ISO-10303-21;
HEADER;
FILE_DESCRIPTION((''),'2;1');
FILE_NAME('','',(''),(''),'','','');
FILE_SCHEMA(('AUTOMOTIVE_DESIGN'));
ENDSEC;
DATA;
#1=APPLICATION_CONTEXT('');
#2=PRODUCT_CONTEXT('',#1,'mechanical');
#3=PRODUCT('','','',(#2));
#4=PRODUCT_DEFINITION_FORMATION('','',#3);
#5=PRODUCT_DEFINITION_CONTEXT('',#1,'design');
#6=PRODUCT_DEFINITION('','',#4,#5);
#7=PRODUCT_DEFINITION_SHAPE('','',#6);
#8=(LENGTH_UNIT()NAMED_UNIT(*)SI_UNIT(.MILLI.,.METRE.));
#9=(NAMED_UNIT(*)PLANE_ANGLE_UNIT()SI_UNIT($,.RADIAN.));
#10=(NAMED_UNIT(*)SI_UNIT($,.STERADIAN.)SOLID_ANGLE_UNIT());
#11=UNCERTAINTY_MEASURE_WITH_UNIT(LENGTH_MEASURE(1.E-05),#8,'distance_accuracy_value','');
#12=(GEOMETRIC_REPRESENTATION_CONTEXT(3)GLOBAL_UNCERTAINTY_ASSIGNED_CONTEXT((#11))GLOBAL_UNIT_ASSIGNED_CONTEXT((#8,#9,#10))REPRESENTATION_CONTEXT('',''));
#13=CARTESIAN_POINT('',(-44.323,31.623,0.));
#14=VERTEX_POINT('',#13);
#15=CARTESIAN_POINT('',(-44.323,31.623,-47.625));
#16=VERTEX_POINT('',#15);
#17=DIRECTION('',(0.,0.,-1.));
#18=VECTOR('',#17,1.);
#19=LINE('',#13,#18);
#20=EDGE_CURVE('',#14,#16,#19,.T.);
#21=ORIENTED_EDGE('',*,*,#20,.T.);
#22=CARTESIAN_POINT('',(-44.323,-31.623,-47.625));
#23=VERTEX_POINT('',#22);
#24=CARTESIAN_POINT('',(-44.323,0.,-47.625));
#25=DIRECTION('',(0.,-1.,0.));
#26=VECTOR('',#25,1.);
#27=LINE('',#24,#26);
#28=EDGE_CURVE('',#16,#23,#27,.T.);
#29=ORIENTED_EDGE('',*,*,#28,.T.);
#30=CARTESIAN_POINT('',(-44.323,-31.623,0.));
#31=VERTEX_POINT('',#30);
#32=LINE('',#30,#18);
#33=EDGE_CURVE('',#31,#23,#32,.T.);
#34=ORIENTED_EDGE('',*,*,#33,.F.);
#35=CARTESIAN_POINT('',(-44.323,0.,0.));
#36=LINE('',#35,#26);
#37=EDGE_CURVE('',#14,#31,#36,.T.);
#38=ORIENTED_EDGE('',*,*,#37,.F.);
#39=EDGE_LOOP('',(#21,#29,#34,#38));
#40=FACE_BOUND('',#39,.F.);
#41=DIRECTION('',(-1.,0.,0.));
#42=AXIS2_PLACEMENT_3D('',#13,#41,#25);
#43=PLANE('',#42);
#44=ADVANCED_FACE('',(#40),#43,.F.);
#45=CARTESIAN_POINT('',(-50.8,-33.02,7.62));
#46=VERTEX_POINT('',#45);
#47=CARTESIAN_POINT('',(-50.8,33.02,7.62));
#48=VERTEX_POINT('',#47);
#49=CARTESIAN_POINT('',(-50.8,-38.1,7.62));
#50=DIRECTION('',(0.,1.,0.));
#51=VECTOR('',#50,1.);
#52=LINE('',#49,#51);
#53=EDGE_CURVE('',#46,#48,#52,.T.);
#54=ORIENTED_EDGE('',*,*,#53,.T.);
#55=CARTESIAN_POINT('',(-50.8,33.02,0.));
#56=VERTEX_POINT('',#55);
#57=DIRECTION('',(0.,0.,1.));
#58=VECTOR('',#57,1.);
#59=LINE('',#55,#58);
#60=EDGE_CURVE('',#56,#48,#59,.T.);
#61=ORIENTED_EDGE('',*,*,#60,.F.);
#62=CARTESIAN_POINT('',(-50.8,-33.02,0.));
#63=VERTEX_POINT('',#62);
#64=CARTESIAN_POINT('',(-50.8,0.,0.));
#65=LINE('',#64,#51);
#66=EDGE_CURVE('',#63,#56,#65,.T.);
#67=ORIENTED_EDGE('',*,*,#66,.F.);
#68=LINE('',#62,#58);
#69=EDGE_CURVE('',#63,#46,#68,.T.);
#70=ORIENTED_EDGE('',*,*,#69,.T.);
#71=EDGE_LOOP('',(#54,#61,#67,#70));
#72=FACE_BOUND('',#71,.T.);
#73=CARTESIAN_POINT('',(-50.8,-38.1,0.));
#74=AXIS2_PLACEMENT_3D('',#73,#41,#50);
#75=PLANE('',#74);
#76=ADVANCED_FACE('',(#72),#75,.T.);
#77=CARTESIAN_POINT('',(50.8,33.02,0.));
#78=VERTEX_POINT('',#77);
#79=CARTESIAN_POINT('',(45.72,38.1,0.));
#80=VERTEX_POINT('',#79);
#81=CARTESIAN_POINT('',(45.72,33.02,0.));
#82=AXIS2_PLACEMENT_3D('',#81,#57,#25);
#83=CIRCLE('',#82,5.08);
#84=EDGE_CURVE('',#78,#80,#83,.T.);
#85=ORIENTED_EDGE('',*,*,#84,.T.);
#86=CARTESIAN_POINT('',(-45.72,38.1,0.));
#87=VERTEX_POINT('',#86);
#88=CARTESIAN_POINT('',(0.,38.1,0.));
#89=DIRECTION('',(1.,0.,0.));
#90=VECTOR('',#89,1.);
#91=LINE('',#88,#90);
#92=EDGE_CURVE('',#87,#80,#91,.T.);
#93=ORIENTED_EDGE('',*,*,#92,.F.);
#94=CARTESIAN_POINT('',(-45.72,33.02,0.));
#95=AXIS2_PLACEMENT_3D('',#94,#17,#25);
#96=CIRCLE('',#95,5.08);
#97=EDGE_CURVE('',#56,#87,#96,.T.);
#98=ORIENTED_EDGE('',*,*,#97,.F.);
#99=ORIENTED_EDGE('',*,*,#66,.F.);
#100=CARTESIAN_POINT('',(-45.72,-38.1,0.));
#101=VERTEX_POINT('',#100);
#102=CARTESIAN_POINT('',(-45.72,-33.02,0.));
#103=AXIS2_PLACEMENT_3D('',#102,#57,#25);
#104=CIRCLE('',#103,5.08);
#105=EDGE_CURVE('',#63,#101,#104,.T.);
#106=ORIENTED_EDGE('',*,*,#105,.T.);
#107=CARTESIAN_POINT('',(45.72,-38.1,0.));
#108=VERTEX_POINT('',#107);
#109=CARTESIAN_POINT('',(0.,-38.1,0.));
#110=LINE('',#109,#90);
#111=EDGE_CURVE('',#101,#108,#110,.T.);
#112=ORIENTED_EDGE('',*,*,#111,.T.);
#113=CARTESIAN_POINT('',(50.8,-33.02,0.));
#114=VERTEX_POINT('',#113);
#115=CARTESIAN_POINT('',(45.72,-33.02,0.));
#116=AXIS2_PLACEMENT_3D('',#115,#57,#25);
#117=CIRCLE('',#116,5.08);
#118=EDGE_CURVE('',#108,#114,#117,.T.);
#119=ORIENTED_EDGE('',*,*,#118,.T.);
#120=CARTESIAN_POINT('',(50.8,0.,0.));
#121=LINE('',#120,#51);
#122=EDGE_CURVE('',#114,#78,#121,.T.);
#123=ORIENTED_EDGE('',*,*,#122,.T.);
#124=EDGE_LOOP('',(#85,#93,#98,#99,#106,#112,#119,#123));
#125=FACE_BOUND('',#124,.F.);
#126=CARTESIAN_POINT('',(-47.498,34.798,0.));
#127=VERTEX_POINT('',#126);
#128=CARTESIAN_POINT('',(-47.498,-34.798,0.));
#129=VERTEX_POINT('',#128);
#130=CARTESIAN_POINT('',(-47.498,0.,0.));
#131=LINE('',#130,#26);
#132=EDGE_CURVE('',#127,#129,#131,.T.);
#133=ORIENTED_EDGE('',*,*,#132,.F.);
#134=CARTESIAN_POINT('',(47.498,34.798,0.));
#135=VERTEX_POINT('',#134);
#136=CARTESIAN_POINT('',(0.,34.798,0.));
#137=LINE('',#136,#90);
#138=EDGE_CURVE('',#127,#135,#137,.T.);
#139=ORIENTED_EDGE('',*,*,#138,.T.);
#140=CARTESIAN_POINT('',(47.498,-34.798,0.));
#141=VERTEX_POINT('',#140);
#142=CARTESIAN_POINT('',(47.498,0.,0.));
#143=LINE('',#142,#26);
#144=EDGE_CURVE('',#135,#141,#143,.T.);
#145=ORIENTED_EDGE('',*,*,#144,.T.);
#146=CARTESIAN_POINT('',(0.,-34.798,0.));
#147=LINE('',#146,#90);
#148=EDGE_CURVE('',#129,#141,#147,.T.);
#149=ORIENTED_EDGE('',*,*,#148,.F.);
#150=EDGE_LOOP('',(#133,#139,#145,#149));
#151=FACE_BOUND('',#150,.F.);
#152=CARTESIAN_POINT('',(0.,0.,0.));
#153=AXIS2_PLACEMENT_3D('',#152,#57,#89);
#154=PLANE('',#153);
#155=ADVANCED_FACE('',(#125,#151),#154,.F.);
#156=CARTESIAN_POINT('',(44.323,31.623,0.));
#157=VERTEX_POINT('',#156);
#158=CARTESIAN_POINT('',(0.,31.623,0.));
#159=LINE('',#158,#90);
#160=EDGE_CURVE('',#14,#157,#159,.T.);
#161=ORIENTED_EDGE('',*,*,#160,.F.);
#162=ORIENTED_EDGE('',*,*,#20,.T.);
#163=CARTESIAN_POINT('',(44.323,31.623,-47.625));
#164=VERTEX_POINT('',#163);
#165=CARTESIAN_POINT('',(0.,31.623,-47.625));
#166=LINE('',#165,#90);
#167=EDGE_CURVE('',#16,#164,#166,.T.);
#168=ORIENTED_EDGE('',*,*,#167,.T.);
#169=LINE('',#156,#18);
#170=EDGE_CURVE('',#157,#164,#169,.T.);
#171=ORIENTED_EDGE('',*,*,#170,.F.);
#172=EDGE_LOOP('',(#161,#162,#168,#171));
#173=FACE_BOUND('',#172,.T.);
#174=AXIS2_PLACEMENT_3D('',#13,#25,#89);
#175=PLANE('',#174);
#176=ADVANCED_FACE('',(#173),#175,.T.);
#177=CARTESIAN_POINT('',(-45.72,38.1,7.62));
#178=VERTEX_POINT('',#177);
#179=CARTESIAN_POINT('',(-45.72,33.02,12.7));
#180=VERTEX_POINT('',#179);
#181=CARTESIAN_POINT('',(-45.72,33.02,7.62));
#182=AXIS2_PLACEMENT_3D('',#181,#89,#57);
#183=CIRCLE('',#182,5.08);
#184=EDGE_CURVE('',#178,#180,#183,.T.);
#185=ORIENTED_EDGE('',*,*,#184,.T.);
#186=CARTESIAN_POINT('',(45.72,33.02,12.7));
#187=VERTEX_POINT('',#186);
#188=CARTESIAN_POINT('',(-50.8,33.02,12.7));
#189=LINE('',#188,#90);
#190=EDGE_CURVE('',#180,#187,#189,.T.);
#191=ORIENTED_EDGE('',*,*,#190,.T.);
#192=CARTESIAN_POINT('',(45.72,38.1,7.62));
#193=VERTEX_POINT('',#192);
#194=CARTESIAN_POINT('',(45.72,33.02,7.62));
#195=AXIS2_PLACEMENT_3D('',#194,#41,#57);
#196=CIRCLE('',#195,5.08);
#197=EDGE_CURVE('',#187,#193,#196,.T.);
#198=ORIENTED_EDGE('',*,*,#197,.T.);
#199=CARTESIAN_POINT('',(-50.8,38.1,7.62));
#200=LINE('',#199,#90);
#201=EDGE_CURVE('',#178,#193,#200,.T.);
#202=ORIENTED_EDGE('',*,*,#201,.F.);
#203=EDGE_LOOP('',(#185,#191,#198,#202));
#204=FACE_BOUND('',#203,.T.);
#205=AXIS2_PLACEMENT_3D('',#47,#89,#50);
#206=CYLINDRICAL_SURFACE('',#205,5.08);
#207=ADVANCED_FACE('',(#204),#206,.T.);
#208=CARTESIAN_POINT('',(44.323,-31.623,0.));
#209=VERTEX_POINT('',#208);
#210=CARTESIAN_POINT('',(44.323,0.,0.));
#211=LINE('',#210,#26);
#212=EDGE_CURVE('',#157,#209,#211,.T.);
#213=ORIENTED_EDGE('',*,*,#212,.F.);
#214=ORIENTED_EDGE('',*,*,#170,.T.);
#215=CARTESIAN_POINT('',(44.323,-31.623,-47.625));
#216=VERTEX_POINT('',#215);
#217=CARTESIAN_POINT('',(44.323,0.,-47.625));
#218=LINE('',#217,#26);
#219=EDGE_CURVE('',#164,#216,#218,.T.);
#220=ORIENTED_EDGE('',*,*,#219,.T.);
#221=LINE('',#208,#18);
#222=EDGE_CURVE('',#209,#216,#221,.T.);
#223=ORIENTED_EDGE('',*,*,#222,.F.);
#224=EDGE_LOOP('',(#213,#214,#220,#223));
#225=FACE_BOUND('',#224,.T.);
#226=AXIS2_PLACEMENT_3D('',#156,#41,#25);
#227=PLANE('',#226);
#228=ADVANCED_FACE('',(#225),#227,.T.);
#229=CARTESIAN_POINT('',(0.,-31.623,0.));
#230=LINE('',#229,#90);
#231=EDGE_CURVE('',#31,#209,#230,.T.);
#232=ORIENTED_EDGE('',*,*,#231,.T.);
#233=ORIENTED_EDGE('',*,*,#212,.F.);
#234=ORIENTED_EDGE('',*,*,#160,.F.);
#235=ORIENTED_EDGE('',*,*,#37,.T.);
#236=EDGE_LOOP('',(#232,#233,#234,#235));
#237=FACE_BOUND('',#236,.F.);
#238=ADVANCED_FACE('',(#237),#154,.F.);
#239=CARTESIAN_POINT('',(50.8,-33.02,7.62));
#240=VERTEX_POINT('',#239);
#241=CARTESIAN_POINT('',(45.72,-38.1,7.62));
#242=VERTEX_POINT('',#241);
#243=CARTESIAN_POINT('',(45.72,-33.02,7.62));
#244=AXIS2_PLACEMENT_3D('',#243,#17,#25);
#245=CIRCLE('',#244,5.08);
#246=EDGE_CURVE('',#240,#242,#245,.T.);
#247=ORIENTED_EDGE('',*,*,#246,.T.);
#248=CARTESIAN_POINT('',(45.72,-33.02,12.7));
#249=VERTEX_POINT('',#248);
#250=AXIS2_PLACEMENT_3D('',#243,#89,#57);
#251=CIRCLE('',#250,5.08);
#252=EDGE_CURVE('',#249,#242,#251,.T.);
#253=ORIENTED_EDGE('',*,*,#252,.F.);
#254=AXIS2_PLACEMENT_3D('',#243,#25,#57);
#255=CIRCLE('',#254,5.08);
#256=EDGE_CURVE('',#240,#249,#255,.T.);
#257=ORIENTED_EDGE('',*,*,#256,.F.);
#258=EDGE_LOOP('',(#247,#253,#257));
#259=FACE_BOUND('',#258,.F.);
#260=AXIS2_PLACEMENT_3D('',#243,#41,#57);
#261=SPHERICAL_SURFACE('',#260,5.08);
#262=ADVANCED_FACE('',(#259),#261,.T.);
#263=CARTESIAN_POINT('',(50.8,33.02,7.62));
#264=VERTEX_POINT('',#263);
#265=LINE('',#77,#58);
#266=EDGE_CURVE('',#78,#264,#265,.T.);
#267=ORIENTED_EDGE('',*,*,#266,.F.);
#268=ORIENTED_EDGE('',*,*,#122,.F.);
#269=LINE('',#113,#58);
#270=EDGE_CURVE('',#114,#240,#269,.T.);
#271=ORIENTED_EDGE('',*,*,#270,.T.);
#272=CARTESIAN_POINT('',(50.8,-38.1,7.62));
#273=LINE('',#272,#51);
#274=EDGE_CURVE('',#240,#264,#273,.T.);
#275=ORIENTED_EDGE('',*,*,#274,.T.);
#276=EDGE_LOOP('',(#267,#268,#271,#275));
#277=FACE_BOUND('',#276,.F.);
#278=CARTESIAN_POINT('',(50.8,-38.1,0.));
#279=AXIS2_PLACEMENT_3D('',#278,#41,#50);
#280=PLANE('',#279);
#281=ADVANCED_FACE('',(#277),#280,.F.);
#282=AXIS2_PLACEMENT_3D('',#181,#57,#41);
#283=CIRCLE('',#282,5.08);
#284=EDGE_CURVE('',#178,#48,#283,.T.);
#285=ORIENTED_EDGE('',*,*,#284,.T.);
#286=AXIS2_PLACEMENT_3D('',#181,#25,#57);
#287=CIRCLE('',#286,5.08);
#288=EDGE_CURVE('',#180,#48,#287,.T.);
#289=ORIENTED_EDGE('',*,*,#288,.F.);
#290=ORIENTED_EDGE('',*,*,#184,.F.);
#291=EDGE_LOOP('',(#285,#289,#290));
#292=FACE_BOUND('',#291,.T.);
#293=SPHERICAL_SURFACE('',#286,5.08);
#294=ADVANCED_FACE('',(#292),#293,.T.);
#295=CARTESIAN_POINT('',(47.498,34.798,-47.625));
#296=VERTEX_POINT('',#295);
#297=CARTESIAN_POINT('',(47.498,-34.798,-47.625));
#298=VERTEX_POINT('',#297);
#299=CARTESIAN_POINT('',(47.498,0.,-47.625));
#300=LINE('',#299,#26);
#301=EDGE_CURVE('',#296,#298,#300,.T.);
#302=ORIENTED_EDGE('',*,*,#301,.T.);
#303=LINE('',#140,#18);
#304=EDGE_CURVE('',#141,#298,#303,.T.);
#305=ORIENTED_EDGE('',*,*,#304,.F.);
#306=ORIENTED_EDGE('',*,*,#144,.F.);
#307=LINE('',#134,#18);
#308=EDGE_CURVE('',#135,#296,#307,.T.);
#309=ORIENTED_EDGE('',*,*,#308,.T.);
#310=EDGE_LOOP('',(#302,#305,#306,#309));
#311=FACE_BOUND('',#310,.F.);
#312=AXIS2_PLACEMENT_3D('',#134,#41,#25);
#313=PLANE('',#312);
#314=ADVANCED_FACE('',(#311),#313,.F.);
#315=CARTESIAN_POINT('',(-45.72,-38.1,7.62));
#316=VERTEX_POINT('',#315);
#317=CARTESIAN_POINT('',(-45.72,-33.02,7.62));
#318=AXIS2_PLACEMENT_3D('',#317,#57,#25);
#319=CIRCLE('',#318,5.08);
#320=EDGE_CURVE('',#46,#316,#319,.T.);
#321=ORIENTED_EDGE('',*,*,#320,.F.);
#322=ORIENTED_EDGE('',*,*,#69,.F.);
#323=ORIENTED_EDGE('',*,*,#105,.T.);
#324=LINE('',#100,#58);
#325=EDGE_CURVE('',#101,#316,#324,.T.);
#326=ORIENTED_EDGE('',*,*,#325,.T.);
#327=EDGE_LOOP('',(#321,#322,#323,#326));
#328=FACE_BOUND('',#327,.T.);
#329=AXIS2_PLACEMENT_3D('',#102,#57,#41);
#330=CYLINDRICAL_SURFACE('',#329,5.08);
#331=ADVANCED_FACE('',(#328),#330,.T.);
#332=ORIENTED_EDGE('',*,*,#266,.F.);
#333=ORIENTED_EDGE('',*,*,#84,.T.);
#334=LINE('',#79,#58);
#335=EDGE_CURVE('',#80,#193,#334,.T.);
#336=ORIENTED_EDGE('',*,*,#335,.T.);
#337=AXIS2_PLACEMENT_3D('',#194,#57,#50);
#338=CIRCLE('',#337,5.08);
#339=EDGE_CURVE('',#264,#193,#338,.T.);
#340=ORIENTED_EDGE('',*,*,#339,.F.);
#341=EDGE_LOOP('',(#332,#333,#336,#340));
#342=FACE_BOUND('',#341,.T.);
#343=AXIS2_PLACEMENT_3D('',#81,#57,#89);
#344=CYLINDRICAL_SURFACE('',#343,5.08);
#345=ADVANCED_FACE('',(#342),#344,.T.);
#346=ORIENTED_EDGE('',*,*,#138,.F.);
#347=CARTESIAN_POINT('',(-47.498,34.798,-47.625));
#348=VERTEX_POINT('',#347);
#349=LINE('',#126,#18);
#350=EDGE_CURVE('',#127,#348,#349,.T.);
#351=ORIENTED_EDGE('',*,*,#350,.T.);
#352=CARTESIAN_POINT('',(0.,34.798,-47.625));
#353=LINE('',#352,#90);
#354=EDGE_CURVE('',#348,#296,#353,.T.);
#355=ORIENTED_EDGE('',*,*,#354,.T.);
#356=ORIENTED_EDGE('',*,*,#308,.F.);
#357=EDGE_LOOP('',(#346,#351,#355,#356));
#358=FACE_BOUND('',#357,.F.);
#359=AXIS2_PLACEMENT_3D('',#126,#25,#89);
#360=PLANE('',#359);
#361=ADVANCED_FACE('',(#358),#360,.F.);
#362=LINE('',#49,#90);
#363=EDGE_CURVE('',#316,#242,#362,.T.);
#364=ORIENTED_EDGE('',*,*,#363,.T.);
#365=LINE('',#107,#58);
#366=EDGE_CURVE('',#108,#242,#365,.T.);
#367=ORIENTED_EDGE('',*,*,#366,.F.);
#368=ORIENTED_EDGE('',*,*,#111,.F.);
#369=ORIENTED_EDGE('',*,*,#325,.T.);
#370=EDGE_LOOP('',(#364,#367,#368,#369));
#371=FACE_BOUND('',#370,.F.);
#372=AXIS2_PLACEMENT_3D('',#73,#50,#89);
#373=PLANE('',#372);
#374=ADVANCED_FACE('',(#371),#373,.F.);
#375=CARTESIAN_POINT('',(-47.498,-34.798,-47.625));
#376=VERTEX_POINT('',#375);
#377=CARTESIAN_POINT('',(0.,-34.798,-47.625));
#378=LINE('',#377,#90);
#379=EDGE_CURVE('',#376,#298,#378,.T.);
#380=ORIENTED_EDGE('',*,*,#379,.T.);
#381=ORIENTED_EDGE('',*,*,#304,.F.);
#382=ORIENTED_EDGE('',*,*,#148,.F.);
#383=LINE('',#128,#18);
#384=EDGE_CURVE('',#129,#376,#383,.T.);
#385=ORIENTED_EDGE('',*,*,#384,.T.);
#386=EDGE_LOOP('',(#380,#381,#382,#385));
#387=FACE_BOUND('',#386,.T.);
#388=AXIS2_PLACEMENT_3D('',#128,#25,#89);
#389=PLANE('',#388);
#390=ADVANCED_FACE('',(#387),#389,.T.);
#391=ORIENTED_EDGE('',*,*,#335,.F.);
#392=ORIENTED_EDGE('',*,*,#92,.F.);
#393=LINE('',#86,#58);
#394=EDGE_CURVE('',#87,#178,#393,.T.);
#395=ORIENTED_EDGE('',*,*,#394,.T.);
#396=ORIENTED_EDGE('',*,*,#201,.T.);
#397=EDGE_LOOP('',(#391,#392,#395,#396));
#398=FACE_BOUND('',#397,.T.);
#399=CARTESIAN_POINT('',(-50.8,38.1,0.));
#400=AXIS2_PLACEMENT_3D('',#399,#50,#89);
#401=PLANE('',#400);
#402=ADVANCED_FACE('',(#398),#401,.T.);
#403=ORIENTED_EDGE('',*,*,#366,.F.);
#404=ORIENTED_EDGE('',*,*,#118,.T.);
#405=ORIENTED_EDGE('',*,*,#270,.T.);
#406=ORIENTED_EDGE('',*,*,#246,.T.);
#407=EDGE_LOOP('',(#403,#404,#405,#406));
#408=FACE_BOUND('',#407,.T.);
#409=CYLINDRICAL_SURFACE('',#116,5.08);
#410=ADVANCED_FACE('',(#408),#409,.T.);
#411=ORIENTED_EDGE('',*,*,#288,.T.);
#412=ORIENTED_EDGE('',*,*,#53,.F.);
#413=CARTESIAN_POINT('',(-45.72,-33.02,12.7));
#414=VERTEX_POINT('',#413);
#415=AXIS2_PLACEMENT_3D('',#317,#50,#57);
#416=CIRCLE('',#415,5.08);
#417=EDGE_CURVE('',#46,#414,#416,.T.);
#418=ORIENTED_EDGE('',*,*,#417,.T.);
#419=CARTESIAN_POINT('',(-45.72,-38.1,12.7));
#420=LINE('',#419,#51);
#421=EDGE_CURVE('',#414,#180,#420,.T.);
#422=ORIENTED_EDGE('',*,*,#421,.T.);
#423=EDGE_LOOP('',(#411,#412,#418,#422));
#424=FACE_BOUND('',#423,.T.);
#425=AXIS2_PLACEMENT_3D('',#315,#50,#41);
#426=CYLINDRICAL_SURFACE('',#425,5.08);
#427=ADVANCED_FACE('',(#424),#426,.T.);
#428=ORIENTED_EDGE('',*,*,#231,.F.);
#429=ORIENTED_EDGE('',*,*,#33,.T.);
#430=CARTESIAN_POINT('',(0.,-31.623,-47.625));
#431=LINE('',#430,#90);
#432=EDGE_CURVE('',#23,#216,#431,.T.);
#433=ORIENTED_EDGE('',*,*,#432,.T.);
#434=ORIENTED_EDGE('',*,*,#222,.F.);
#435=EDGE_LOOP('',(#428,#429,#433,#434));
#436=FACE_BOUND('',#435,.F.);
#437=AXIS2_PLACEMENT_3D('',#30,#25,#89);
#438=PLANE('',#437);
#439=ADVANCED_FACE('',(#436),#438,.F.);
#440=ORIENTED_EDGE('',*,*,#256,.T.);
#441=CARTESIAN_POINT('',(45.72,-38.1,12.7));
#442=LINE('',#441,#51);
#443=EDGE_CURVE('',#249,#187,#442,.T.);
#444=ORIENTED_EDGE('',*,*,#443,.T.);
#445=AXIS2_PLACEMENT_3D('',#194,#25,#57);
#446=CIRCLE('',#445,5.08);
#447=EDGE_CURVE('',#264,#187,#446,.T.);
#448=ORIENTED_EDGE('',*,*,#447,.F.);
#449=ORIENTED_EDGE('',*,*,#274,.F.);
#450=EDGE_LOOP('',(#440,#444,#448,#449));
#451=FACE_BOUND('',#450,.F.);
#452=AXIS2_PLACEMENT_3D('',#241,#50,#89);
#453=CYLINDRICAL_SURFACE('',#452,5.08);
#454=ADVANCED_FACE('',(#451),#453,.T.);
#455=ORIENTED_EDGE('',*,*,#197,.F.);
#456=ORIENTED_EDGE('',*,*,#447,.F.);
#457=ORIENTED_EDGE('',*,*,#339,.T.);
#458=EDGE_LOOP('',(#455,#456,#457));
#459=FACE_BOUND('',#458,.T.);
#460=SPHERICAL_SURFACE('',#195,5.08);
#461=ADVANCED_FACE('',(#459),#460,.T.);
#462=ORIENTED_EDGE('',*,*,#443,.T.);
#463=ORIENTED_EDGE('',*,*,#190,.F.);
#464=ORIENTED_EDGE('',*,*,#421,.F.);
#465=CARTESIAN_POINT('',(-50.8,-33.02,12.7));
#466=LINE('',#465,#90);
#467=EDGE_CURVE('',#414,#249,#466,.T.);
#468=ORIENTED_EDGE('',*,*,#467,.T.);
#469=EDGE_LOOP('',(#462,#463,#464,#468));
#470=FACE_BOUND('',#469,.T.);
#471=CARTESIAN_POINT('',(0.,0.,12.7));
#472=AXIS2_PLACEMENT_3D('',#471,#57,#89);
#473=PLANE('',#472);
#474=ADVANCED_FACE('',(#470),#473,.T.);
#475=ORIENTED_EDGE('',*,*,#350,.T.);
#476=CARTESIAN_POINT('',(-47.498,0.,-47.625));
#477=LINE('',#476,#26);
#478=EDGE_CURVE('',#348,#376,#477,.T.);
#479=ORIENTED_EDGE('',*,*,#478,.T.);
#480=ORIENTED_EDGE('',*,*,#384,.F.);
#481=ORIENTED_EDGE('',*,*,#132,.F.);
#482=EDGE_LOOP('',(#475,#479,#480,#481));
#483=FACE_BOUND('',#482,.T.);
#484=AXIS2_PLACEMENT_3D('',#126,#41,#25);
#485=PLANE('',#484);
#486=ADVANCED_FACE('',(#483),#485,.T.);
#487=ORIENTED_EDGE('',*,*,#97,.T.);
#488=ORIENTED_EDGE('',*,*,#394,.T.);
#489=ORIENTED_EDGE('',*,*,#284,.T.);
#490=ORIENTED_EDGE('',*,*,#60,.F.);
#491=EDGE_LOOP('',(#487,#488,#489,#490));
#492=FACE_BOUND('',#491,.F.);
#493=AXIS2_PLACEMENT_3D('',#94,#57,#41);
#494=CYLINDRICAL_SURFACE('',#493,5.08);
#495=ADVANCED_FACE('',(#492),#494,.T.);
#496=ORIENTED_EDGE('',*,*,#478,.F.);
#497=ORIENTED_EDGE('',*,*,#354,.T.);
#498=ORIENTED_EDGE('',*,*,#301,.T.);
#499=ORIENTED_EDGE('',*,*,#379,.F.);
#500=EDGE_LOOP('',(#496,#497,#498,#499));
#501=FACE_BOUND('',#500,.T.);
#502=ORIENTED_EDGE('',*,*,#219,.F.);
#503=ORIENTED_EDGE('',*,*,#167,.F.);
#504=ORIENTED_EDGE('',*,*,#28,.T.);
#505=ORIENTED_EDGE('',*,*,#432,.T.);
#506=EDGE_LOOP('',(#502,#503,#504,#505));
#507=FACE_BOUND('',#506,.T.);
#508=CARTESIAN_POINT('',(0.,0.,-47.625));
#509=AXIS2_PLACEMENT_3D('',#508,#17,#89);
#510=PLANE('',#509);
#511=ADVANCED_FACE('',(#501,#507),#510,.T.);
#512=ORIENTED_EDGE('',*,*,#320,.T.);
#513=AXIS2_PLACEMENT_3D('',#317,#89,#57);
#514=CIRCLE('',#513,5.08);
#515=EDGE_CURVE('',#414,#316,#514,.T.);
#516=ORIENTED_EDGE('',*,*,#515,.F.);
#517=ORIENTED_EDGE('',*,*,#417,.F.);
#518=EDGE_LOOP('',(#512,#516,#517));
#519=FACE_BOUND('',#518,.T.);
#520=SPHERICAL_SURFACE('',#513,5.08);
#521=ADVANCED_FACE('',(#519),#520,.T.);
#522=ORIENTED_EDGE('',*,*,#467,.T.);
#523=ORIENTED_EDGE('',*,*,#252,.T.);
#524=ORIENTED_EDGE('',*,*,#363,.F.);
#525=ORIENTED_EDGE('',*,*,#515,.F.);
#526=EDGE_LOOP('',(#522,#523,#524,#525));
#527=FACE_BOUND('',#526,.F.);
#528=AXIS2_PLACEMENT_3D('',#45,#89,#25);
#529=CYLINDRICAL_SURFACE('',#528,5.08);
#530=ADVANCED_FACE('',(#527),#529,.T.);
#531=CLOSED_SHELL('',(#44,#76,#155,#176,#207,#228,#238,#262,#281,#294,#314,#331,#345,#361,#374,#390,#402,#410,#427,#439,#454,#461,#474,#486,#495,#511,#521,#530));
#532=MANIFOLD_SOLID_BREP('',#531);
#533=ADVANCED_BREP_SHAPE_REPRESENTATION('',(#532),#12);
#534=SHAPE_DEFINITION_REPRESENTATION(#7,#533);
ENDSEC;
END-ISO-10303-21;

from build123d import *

# Parameters (mm, degrees)
F0_W     = 101.6
F0_H     = 76.2
F1_DEPTH = 12.7
F2_R     = 5.08
F3_W     = 94.996
F3_H     = 69.596
F3_W_2   = 88.646
F3_H_2   = 63.246
F4_DEPTH = 47.625


with BuildPart() as f1:
    # F0 (on Top) → F1 (new body)
    with BuildSketch(Plane.XY):
        Rectangle(F0_W, F0_H)
    extrude(amount=F1_DEPTH)

    # F2
    f2_edges = [f1.edges().sort_by_distance(p)[0] for p in [
        (0, -38.1, 12.7),
        (-50.8, 0, 12.7),
        (0, 38.1, 12.7),
        (50.8, 0, 12.7),
        (50.8, -38.1, 6.35),
        (50.8, 38.1, 6.35),
        (-50.8, 38.1, 6.35),
        (-50.8, -38.1, 6.35),
    ]]
    fillet(f2_edges, radius=F2_R)

    # F3 (on face) → F4 (join)
    with BuildSketch(Plane(origin=(0, 0, 0), x_dir=(1, 0, 0), z_dir=(0, 0, -1))):
        Rectangle(F3_W, F3_H)
        Rectangle(F3_W_2, F3_H_2, mode=Mode.SUBTRACT)
    extrude(amount=F4_DEPTH)


solid = f1.part
